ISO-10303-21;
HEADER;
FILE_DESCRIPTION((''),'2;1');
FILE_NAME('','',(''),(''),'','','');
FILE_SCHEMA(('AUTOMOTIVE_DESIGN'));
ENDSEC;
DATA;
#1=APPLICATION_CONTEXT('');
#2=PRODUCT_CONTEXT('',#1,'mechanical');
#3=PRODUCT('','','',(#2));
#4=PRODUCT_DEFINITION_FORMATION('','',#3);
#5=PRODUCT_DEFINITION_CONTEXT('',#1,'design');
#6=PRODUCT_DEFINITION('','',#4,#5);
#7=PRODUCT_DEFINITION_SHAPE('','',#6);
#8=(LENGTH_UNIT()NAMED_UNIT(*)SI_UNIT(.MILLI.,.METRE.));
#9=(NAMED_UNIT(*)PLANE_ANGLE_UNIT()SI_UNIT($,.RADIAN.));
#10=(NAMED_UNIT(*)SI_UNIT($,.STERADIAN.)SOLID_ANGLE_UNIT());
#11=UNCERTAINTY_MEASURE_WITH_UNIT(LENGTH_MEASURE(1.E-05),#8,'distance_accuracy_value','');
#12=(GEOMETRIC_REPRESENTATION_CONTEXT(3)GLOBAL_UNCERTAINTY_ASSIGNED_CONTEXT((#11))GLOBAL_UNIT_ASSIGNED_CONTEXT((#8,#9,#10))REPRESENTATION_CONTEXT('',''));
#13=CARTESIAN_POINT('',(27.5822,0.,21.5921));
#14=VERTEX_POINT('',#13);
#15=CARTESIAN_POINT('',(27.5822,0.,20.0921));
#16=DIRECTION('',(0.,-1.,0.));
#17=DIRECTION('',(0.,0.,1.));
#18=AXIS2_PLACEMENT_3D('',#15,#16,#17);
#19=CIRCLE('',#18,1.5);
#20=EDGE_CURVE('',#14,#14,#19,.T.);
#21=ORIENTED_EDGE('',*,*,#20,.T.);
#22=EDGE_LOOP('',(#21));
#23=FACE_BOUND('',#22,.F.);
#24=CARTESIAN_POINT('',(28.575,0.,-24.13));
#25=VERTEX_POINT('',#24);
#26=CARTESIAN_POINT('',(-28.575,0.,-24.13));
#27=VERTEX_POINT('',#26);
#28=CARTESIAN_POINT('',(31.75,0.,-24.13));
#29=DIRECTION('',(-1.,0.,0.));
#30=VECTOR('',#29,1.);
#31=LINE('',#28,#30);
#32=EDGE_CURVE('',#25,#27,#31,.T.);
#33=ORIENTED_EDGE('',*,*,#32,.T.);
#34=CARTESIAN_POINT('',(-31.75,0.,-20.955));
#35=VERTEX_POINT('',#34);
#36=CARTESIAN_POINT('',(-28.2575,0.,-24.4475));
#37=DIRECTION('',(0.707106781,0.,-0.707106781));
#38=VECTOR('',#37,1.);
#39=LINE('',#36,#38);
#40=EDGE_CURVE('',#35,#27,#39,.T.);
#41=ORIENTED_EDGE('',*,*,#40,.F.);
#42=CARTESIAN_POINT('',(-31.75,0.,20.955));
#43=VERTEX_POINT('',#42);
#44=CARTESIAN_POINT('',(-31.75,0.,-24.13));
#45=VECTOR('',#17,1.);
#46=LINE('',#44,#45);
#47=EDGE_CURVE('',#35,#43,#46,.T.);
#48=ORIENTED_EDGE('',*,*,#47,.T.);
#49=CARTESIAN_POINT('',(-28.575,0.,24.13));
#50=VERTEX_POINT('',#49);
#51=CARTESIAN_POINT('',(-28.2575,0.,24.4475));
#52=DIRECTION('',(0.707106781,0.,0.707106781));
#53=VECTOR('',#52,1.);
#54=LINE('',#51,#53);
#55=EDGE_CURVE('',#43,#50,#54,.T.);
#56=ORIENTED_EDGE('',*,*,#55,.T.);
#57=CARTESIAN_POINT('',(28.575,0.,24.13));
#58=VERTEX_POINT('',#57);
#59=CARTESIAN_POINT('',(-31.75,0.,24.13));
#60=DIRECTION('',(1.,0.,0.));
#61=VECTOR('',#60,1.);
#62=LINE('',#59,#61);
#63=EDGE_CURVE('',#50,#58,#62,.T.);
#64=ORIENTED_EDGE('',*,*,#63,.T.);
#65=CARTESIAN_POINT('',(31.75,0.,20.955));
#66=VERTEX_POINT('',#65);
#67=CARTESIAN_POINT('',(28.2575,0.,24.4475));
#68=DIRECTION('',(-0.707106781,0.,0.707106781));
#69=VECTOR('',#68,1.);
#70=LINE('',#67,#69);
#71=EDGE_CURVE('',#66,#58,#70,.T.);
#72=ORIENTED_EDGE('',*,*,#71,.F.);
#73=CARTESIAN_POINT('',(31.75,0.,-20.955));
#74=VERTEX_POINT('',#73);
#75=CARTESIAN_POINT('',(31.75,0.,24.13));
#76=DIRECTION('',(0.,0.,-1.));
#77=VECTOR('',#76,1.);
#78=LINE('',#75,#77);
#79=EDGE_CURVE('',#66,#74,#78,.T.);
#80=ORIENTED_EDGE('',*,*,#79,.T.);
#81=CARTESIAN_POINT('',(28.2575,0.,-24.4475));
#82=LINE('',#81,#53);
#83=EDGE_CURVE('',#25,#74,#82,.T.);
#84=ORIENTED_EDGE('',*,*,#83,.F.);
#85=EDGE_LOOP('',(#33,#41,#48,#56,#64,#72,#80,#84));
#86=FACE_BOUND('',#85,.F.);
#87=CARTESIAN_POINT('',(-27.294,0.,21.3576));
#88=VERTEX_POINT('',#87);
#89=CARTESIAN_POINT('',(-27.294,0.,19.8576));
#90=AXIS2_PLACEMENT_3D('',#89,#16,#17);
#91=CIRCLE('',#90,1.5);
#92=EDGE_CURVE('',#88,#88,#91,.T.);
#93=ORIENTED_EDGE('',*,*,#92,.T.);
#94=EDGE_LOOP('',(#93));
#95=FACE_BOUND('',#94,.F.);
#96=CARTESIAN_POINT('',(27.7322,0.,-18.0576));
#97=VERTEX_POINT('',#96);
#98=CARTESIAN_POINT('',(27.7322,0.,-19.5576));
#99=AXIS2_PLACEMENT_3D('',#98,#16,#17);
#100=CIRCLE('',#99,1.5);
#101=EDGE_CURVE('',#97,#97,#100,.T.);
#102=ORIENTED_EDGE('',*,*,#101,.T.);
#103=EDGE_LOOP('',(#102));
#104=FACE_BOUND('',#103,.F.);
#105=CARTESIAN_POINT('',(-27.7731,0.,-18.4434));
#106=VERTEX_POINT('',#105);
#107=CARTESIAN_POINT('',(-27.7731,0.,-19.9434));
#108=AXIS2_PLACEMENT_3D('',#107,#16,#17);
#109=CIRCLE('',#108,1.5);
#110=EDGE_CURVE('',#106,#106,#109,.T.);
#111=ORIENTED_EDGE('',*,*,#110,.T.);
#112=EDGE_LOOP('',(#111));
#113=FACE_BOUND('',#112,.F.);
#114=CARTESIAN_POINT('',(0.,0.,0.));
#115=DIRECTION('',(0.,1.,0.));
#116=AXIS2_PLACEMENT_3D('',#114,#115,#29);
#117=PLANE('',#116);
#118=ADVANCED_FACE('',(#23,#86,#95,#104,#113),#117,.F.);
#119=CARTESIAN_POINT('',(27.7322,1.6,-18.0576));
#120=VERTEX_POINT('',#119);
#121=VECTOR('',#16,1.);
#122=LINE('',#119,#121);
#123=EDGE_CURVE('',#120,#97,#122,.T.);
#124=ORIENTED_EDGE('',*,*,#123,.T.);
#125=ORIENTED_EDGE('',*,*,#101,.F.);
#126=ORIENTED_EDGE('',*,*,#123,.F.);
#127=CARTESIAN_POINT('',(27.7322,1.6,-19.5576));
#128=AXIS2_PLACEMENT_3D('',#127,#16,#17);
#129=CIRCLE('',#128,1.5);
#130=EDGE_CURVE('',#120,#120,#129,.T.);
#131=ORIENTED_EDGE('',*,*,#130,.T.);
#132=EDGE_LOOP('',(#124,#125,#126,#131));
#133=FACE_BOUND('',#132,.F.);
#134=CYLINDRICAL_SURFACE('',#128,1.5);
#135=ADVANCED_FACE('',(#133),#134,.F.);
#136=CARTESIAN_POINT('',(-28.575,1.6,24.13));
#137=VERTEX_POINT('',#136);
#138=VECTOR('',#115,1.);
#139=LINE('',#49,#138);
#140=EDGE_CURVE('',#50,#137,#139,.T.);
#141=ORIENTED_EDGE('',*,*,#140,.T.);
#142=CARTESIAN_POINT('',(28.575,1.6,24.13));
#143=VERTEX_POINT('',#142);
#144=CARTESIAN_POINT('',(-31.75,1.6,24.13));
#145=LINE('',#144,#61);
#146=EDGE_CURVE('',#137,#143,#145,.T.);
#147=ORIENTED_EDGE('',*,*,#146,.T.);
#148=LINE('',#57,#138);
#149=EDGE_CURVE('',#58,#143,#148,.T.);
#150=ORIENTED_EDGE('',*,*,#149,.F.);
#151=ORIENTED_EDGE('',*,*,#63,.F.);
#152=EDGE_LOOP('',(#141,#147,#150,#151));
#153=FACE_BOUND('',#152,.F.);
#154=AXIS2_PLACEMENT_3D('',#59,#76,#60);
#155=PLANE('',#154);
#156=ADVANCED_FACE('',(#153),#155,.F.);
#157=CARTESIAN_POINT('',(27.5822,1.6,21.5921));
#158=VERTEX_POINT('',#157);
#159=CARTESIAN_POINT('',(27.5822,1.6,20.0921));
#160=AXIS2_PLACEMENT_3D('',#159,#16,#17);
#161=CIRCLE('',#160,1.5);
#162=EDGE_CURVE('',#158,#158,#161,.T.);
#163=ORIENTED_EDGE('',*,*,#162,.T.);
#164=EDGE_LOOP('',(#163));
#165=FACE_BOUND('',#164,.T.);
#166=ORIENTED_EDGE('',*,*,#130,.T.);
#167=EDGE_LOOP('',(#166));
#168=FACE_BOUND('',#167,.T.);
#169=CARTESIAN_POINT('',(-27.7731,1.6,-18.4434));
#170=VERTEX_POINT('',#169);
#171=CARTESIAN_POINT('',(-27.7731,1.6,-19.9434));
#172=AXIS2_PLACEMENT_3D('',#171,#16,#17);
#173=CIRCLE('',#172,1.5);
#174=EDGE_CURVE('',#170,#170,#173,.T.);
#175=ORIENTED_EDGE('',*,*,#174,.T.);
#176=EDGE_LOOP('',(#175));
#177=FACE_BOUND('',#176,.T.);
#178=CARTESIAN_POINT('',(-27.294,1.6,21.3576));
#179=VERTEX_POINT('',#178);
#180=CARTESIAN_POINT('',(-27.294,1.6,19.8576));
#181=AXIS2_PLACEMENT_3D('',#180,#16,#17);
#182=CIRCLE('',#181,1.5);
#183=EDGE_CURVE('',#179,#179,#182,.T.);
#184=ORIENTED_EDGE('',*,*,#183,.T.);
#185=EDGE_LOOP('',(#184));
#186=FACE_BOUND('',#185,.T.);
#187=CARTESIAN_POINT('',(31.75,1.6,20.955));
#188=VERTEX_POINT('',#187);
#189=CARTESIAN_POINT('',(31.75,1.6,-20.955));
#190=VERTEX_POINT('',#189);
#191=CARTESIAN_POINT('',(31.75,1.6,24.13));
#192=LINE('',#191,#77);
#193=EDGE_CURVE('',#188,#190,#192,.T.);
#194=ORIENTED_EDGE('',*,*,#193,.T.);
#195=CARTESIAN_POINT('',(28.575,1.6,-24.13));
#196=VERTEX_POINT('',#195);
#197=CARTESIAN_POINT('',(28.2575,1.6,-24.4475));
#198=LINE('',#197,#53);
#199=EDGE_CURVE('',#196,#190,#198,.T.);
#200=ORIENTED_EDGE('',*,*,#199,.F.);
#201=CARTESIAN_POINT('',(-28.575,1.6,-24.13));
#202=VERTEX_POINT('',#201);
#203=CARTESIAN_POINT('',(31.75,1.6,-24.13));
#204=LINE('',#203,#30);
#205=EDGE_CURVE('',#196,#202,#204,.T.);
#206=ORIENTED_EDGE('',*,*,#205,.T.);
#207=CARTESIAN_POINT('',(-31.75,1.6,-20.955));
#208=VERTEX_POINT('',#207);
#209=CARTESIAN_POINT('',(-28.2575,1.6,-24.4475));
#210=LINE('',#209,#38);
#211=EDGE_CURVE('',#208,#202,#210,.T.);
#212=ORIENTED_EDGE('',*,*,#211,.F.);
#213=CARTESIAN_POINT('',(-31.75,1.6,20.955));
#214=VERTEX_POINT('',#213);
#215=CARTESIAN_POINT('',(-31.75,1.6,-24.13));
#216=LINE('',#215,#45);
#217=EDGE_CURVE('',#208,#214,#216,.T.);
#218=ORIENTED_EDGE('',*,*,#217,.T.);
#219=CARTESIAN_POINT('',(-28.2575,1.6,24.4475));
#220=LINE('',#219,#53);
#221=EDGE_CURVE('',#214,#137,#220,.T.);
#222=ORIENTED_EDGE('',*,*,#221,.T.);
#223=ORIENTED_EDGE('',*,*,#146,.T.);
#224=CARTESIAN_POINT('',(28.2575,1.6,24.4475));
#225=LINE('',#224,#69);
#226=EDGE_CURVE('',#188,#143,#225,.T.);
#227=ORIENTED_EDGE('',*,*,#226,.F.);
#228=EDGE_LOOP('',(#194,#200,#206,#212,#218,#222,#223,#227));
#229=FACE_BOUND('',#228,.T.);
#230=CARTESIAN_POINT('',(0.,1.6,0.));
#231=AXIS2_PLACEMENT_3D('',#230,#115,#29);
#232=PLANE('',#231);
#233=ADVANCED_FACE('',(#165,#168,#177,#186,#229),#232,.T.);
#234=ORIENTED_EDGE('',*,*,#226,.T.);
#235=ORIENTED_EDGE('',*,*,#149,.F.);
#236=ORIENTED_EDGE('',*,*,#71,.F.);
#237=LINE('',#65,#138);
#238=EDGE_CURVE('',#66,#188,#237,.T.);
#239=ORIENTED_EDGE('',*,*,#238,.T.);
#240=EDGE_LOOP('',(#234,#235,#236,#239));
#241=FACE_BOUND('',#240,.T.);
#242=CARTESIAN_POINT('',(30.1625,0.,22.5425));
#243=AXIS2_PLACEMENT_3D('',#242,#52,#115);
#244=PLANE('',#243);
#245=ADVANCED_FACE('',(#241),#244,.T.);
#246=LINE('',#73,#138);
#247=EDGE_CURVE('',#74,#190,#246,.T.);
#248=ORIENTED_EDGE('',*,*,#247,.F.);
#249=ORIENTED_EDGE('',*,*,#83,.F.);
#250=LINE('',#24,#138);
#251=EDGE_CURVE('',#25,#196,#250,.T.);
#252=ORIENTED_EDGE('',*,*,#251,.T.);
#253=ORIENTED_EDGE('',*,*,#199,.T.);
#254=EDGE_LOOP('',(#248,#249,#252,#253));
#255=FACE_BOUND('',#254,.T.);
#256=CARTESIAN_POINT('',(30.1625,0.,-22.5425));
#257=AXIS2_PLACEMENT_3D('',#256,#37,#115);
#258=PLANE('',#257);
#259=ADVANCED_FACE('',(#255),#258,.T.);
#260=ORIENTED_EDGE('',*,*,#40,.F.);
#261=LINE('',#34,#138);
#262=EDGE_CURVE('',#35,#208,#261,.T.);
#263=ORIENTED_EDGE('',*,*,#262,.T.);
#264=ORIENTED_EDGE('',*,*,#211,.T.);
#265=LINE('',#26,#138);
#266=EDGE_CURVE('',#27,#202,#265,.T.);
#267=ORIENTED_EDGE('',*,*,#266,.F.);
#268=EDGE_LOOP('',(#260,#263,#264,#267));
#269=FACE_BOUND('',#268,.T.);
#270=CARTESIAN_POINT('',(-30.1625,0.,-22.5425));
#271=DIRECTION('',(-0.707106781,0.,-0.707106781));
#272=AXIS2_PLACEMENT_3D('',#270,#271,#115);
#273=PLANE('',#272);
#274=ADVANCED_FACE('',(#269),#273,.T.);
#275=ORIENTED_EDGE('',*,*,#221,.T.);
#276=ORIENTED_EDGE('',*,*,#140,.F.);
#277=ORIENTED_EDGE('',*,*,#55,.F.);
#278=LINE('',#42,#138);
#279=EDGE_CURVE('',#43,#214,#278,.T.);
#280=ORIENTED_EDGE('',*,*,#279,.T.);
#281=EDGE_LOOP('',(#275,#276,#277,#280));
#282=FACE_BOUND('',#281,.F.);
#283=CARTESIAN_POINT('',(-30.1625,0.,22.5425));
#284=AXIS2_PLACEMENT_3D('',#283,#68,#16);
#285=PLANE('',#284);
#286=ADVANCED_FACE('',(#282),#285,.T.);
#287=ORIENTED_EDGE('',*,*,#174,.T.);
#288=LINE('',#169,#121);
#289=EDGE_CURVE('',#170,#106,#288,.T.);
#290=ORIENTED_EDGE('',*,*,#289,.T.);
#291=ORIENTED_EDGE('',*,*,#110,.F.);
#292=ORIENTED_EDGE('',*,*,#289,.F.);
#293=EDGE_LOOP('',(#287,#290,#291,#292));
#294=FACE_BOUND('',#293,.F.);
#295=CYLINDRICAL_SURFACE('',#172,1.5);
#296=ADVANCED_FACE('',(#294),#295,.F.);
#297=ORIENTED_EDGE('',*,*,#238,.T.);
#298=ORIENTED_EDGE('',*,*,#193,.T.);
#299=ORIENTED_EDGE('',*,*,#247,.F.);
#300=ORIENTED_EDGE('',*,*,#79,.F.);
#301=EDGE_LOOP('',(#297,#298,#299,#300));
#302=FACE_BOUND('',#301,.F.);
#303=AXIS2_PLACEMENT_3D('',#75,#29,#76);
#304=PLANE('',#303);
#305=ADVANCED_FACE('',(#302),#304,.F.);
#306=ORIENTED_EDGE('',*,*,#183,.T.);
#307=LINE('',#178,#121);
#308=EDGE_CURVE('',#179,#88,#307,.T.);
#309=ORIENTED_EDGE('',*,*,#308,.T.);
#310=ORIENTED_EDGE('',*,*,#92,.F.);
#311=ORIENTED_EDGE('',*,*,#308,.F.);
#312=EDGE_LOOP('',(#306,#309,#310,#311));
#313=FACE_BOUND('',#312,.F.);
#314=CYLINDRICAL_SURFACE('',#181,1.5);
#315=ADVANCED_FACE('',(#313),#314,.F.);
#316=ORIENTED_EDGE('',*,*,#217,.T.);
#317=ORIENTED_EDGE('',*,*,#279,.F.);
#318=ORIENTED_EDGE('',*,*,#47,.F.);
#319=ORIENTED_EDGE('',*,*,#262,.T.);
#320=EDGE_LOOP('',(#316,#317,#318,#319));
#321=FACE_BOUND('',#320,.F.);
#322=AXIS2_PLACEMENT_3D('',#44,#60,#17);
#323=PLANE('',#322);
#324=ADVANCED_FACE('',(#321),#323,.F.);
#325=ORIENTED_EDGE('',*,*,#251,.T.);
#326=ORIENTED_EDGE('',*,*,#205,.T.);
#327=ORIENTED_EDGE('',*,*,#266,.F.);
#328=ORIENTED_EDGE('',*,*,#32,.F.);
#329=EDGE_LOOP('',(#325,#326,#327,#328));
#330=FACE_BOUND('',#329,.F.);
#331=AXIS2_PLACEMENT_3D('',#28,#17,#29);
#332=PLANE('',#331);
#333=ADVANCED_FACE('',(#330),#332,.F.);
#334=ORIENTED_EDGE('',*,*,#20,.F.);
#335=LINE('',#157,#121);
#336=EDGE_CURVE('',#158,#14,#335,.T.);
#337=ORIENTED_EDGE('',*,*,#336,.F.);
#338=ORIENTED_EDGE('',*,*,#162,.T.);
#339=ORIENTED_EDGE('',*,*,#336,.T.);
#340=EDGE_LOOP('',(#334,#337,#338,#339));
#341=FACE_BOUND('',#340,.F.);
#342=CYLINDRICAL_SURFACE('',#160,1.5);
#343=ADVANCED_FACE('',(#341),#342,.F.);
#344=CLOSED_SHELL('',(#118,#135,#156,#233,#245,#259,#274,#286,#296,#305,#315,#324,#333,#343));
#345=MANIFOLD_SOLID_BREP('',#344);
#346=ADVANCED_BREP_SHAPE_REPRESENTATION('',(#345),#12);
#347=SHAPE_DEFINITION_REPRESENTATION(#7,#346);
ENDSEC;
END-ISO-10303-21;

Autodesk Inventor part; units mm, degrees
ref_plane "YZ Plane" through (0, 0, 0) normal (1, 0, 0) x (0, 1, 0)
ref_plane "XZ Plane" through (0, 0, 0) normal (0, 1, 0) x (-1, 0, 0)
ref_plane "XY Plane" through (0, 0, 0) normal (0, 0, 1) x (1, 0, 0)
sketch "Sketch1" plane through (0, 0, 0) normal (0, 1, 0) x (-1, 0, 0)
  line L0 (31.75, 24.13) -> (-31.75, 24.13)
  line L1 (-31.75, 24.13) -> (-31.75, -24.13)
  line L2 (-31.75, -24.13) -> (31.75, -24.13)
  line L3 (31.75, -24.13) -> (31.75, 24.13)
  line L4 (31.75, 24.13) -> (-31.75, -24.13) construction
  line L5 (-31.75, 24.13) -> (31.75, -24.13) construction
  point P0 (0, 0)
  dimension "d0" = 63.5
  dimension "d1" = 48.26
extrude "Extrusion1" add sketch "Sketch1" along normal blind 1.6
chamfer "Chamfer1" distance 3.175 angle 45 4 edges at (31.75, 0.8, 24.13) (31.75, 0.8, -24.13) (-31.75, 0.8, -24.13) (-31.75, 0.8, 24.13)
sketch "Sketch2" plane through (0, 1.6, 0) normal (0, 1, 0) x (1, 0, 0)
  point P0 (0, 0)
  point P1 (-27.7731, 19.9434)
  point P2 (27.7322, 19.5576)
  point P3 (-27.294, -19.8576)
  point P4 (27.5822, -20.0921)
hole "Hole1" at (-27.7731, 1.6, -19.9434) at (27.7322, 1.6, -19.5576) at (-27.294, 1.6, 19.8576) at (27.5822, 1.6, 20.0921) direction (0, -1, 0) diameter 3 depth 95.25 tip angle 118
properties part number "PCB" material "ABS Plastic"
